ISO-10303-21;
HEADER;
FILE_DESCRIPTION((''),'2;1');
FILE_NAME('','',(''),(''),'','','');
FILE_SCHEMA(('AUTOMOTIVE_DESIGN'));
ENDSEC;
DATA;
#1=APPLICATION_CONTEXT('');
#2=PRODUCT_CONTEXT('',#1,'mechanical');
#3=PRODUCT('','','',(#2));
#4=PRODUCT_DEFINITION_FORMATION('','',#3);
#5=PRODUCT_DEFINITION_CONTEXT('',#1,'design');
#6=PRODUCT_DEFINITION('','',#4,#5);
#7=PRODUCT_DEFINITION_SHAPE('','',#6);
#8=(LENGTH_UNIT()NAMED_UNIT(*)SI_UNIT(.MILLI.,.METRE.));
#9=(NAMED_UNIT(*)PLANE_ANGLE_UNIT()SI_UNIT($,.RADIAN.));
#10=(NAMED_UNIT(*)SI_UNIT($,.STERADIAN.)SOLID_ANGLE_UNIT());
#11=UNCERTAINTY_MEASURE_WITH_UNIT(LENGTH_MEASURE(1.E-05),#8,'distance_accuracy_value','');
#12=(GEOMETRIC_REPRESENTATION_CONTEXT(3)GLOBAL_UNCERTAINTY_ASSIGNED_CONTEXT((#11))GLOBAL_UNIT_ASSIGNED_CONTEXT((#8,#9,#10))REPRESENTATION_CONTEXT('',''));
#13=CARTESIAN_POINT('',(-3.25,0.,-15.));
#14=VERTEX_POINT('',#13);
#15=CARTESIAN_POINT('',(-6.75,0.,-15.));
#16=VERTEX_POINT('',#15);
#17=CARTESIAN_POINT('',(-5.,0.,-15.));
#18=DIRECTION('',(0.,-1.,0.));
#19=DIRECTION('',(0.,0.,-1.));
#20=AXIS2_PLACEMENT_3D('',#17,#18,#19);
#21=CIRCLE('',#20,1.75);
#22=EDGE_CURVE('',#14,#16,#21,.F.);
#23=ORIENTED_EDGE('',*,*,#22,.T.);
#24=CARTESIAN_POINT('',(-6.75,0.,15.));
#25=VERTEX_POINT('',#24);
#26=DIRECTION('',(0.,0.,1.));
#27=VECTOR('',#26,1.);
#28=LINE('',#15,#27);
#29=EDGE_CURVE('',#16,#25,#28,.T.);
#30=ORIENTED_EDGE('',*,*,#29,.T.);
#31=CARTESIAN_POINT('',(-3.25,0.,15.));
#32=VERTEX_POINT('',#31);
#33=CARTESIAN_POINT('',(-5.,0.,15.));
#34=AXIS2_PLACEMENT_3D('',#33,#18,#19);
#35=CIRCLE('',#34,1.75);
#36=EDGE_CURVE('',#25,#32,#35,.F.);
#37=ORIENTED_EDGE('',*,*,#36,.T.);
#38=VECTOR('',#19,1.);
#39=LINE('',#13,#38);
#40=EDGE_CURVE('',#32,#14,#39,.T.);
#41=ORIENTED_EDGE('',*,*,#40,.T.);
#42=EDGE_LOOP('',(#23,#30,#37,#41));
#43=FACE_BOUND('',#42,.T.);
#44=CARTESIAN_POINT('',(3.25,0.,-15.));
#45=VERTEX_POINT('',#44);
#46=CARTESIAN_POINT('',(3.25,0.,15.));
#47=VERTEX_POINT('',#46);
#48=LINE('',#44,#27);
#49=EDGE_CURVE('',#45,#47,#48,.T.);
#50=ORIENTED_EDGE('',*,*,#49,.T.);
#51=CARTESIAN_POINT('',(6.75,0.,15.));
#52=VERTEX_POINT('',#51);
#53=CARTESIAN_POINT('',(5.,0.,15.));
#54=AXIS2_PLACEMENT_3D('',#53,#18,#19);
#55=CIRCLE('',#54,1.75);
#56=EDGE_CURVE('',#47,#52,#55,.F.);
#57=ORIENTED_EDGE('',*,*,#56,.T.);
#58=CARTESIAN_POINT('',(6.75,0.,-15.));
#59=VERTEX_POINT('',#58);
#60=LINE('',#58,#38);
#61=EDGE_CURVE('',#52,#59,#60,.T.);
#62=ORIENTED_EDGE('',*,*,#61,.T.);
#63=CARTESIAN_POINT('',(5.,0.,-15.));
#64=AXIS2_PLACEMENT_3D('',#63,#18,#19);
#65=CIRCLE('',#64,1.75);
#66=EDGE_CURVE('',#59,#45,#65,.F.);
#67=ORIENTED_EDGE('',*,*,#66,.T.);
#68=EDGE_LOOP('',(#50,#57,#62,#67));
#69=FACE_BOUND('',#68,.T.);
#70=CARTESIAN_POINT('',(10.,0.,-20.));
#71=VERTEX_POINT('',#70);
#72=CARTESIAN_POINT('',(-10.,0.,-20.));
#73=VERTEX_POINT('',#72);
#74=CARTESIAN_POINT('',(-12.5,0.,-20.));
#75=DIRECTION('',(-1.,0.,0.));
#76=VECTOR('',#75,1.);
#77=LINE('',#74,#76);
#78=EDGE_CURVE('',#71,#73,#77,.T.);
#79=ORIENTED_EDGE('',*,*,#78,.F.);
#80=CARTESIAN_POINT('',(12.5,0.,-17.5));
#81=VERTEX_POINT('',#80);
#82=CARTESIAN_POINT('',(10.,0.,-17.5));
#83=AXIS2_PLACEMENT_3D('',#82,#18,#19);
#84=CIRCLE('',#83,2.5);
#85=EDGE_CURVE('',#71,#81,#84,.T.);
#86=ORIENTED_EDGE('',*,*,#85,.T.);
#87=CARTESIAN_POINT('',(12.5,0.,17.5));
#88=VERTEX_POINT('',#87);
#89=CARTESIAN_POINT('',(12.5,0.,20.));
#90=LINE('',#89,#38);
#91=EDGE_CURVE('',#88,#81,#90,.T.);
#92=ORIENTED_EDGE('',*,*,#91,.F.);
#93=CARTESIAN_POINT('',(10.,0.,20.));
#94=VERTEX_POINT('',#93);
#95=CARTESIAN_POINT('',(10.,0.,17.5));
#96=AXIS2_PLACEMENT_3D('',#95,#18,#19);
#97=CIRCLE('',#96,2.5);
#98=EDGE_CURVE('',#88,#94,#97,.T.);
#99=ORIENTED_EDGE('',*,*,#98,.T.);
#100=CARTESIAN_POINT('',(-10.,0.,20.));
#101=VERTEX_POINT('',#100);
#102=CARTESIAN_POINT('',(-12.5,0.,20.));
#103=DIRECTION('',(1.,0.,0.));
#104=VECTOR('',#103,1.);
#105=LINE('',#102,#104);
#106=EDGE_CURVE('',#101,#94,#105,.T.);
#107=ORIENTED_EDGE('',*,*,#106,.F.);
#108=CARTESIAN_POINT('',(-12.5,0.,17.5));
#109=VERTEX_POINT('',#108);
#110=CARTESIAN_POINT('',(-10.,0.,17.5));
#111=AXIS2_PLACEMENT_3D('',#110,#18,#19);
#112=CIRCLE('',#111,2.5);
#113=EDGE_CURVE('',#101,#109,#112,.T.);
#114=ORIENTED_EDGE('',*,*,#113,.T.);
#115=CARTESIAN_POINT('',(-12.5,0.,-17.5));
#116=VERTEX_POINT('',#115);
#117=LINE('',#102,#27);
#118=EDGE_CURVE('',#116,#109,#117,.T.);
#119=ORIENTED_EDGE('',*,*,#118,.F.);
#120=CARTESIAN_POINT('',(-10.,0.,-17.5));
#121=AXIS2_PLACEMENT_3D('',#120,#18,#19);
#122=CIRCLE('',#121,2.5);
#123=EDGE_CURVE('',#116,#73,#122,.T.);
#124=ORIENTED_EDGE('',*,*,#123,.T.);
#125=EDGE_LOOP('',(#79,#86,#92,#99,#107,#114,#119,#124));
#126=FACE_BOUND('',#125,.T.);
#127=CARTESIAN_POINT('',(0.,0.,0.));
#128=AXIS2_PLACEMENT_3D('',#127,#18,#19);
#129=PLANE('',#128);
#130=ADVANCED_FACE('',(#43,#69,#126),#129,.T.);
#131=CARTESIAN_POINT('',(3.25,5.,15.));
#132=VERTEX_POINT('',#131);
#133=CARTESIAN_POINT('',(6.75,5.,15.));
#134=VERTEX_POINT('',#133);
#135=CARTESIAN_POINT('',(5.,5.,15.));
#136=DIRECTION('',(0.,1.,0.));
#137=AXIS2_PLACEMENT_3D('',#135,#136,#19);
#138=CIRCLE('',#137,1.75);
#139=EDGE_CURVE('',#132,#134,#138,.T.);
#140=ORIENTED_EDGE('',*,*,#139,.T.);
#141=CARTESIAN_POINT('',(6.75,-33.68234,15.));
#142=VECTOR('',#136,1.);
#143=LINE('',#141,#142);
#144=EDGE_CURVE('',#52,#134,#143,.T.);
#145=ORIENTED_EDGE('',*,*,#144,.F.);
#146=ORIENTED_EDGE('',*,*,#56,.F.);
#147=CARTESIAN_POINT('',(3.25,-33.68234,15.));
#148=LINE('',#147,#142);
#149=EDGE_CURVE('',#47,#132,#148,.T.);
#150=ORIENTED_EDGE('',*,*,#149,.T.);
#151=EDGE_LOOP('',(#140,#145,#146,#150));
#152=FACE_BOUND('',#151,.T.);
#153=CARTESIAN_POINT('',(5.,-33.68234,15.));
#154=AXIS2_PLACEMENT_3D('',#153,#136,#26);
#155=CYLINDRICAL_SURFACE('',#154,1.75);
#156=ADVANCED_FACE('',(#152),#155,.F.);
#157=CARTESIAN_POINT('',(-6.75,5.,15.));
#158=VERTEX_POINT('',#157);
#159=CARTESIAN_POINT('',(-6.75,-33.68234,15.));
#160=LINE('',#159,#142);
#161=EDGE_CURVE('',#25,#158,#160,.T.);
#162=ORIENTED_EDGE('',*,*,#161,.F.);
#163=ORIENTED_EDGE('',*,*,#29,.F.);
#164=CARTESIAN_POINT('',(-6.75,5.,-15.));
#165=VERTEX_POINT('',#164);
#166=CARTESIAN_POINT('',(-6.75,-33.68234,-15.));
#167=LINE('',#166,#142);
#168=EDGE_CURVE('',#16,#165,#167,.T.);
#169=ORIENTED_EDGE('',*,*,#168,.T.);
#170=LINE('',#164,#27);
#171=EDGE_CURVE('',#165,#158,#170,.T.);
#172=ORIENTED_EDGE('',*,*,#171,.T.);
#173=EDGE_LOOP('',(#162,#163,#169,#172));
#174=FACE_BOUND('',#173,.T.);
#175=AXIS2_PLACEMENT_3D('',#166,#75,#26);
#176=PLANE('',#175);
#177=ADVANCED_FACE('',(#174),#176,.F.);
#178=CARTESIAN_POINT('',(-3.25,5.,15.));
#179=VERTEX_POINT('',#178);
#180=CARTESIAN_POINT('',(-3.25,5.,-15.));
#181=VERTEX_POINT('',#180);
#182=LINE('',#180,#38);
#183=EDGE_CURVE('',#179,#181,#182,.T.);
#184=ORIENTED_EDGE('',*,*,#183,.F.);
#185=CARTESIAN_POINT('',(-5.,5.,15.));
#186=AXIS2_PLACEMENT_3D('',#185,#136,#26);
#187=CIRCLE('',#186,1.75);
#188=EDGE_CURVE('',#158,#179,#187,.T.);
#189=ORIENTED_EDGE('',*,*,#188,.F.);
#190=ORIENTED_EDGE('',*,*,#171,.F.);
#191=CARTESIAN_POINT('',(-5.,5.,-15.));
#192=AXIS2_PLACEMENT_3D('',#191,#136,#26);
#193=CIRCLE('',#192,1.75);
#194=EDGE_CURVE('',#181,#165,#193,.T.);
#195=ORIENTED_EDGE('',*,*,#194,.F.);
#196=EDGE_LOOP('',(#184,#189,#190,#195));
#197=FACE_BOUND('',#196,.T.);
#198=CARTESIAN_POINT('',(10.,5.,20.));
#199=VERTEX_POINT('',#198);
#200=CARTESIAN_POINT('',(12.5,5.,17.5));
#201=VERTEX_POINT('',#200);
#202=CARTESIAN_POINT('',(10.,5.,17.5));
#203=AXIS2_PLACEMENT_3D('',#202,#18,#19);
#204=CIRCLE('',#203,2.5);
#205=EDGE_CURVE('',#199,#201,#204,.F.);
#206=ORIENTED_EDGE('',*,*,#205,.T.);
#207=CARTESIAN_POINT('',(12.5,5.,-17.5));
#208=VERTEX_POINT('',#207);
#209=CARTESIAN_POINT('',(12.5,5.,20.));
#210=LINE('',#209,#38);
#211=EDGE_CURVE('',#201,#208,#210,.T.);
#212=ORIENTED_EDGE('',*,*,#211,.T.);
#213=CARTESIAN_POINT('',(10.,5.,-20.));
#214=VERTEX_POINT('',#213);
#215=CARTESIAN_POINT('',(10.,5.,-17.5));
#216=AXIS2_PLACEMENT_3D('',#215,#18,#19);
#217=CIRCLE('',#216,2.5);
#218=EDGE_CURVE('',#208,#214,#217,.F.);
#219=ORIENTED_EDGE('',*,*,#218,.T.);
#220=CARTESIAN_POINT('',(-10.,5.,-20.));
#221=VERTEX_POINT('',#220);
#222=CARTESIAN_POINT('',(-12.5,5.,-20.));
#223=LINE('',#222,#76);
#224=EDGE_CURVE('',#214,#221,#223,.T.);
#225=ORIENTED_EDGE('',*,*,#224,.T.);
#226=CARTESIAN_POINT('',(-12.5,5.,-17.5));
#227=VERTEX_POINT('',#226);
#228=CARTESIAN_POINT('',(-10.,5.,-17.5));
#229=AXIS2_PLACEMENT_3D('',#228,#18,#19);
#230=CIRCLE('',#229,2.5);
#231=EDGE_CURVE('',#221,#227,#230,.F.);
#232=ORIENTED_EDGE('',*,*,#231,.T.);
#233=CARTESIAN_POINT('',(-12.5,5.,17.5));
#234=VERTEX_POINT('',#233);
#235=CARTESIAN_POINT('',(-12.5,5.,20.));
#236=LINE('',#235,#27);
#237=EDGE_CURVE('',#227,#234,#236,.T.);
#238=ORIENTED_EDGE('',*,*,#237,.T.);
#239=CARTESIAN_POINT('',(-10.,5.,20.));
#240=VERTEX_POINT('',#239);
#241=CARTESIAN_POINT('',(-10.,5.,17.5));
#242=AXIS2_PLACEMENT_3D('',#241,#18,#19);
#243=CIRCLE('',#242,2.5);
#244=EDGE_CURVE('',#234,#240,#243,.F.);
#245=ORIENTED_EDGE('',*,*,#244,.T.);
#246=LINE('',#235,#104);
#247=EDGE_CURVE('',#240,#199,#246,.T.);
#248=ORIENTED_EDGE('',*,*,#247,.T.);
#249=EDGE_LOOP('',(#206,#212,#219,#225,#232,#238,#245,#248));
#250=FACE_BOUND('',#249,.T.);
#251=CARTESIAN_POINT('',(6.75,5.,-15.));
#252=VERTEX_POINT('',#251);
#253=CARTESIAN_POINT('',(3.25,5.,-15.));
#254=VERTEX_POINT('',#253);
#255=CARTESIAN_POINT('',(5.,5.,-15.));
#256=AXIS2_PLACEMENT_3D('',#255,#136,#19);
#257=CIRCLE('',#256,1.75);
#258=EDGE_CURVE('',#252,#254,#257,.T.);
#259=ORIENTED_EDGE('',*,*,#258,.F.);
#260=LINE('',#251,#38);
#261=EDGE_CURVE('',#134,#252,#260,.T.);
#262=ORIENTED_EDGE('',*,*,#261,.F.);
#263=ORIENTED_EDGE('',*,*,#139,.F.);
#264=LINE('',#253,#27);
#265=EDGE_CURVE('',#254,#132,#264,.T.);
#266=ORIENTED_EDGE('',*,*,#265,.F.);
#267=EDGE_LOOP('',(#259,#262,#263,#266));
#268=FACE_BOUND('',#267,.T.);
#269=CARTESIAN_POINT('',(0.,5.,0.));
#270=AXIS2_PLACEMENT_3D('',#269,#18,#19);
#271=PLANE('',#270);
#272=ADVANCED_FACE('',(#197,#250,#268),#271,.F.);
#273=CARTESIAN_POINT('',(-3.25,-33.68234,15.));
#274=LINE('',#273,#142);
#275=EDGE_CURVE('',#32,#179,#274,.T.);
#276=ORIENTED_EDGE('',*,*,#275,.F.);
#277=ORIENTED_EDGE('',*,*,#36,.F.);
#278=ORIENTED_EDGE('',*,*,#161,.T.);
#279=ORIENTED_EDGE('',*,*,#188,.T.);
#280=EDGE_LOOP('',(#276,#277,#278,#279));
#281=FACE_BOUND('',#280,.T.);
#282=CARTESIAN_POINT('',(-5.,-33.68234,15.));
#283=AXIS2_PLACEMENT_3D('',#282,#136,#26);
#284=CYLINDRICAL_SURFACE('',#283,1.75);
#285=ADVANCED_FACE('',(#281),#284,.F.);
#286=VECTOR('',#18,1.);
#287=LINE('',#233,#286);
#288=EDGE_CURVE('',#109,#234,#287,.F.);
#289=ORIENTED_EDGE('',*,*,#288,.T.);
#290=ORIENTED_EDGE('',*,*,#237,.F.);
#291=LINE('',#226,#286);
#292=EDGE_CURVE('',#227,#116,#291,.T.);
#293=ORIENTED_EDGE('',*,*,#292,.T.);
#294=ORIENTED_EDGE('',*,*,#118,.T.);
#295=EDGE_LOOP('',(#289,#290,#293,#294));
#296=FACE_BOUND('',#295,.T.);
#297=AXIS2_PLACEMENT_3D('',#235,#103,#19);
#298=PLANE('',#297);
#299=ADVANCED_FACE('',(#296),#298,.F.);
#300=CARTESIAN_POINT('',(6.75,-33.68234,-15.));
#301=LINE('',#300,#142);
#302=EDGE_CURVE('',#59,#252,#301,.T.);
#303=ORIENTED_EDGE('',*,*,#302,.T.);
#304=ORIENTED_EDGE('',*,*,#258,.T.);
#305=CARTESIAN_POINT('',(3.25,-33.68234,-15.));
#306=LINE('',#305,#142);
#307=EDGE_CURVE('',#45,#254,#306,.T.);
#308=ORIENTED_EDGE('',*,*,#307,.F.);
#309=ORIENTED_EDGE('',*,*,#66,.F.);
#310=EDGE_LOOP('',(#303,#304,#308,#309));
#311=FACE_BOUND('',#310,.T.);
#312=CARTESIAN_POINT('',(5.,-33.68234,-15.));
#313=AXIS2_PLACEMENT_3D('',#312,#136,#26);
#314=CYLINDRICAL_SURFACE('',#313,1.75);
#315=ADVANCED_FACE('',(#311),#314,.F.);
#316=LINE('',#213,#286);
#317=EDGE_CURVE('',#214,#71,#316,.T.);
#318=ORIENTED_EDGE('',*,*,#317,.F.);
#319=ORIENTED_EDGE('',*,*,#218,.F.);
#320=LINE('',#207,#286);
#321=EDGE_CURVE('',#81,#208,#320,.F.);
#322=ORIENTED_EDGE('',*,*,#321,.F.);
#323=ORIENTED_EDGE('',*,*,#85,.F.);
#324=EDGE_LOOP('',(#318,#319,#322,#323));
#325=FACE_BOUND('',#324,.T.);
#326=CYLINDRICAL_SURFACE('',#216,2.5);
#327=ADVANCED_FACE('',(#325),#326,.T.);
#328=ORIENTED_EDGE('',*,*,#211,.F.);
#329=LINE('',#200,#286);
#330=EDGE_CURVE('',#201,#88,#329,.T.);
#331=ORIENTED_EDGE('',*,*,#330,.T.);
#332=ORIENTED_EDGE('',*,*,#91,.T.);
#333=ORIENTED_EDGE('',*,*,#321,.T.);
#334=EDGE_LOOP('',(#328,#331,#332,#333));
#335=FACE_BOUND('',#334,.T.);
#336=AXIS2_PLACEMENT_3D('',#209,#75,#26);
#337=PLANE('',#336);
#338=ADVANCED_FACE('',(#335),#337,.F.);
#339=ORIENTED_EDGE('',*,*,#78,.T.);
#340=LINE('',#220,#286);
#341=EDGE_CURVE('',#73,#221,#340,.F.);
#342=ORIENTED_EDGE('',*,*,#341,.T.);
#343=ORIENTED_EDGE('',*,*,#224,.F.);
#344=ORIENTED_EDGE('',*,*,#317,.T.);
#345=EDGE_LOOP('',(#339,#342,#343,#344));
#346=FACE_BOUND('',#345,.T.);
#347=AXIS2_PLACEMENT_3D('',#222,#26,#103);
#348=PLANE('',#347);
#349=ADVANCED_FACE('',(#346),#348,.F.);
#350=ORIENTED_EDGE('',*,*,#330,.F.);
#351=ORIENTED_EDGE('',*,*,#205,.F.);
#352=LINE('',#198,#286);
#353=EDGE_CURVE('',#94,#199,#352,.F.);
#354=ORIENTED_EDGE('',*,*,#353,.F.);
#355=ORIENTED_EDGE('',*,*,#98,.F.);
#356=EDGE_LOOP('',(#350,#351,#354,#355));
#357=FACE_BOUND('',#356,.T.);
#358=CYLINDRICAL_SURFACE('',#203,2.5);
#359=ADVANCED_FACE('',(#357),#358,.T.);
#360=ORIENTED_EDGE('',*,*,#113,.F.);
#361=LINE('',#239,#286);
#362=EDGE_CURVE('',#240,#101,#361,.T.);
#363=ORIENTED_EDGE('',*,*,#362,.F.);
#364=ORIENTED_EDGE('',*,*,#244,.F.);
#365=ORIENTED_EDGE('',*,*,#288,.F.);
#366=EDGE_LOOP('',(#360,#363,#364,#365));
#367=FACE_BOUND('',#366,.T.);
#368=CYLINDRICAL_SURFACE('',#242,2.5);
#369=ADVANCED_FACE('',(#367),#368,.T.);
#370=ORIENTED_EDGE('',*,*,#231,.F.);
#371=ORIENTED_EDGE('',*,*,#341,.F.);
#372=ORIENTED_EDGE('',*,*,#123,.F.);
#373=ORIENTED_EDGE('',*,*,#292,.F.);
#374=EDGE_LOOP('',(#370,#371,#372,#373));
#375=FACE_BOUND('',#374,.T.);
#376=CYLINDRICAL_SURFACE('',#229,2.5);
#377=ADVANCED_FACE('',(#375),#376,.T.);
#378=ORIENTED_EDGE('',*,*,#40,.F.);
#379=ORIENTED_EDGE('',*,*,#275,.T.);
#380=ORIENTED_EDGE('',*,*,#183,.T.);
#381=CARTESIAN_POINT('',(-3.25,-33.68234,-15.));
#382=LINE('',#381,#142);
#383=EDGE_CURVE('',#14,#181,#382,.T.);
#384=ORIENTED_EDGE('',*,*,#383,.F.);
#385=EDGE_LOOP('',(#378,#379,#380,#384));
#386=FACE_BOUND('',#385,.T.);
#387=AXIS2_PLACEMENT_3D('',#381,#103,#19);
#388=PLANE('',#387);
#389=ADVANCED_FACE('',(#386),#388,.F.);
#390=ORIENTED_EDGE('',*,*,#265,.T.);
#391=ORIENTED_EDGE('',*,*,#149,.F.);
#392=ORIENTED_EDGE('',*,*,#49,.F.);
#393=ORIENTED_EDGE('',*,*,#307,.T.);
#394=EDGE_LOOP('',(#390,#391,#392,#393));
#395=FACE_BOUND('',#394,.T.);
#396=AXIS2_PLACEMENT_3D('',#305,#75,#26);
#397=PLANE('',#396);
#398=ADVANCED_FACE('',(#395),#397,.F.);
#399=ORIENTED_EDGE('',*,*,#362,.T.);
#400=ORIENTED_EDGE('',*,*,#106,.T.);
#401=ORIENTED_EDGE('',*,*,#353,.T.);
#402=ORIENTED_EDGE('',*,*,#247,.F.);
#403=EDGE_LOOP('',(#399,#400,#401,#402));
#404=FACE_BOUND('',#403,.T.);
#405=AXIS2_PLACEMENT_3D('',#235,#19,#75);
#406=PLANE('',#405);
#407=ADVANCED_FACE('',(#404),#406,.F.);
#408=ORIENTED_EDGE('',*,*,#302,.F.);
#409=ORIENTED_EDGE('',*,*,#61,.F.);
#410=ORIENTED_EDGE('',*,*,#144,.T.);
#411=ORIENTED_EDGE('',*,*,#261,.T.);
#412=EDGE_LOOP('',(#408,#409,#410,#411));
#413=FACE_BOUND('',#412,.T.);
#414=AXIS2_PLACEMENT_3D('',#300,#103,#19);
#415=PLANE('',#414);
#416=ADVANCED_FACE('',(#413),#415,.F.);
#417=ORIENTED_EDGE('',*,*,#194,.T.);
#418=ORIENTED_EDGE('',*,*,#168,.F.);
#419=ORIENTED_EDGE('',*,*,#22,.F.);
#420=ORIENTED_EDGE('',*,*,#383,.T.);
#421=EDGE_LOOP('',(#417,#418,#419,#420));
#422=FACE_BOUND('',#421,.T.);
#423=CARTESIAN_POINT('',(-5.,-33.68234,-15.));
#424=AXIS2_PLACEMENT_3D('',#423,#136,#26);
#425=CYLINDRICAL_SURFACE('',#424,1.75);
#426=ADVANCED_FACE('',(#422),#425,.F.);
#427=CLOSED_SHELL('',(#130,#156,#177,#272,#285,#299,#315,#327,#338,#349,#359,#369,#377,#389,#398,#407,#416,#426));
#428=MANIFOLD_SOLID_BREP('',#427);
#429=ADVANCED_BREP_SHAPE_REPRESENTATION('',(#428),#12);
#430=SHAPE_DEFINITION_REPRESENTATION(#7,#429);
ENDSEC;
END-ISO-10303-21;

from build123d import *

# Parameters (mm, degrees)
SKETCH1_W           = 25
SKETCH1_H           = 40
BOSS_EXTRUDE1_DEPTH = 5
CUT_EXTRUDE1_DEPTH  = 5
FILLET1_R           = 2.5


with BuildPart() as part:
    # Sketch1 → Boss-Extrude1 (new body)
    with BuildSketch(Plane(origin=(0, 0, 0), x_dir=(1, 0, 0), z_dir=(0, 1, 0))):
        Rectangle(SKETCH1_W, SKETCH1_H)
    extrude(amount=BOSS_EXTRUDE1_DEPTH)

    # Sketch2 → Cut-Extrude1 (cut)
    with BuildSketch(Plane(origin=(0, 5, 0), x_dir=(1, 0, 0), z_dir=(0, 1, 0))):
        with BuildLine():
            Line((-3.25, 15), (-3.25, -15))
            ThreePointArc((-3.25, -15), (-5, -16.75), (-6.75, -15))
            Line((-6.75, -15), (-6.75, 15))
            ThreePointArc((-6.75, 15), (-5, 16.75), (-3.25, 15))
        make_face()
        with BuildLine():
            Line((3.25, 15), (3.25, -15))
            ThreePointArc((3.25, -15), (5, -16.75), (6.75, -15))
            Line((6.75, -15), (6.75, 15))
            ThreePointArc((6.75, 15), (5, 16.75), (3.25, 15))
        make_face()
    extrude(amount=-CUT_EXTRUDE1_DEPTH, mode=Mode.SUBTRACT)

    # Fillet1
    fillet1_edges = [part.edges().sort_by_distance(p)[0] for p in [
        (12.5, 2.5, 20),
        (-12.5, 2.5, 20),
        (-12.5, 2.5, -20),
        (12.5, 2.5, -20),
    ]]
    fillet(fillet1_edges, radius=FILLET1_R)


solid = part.part
